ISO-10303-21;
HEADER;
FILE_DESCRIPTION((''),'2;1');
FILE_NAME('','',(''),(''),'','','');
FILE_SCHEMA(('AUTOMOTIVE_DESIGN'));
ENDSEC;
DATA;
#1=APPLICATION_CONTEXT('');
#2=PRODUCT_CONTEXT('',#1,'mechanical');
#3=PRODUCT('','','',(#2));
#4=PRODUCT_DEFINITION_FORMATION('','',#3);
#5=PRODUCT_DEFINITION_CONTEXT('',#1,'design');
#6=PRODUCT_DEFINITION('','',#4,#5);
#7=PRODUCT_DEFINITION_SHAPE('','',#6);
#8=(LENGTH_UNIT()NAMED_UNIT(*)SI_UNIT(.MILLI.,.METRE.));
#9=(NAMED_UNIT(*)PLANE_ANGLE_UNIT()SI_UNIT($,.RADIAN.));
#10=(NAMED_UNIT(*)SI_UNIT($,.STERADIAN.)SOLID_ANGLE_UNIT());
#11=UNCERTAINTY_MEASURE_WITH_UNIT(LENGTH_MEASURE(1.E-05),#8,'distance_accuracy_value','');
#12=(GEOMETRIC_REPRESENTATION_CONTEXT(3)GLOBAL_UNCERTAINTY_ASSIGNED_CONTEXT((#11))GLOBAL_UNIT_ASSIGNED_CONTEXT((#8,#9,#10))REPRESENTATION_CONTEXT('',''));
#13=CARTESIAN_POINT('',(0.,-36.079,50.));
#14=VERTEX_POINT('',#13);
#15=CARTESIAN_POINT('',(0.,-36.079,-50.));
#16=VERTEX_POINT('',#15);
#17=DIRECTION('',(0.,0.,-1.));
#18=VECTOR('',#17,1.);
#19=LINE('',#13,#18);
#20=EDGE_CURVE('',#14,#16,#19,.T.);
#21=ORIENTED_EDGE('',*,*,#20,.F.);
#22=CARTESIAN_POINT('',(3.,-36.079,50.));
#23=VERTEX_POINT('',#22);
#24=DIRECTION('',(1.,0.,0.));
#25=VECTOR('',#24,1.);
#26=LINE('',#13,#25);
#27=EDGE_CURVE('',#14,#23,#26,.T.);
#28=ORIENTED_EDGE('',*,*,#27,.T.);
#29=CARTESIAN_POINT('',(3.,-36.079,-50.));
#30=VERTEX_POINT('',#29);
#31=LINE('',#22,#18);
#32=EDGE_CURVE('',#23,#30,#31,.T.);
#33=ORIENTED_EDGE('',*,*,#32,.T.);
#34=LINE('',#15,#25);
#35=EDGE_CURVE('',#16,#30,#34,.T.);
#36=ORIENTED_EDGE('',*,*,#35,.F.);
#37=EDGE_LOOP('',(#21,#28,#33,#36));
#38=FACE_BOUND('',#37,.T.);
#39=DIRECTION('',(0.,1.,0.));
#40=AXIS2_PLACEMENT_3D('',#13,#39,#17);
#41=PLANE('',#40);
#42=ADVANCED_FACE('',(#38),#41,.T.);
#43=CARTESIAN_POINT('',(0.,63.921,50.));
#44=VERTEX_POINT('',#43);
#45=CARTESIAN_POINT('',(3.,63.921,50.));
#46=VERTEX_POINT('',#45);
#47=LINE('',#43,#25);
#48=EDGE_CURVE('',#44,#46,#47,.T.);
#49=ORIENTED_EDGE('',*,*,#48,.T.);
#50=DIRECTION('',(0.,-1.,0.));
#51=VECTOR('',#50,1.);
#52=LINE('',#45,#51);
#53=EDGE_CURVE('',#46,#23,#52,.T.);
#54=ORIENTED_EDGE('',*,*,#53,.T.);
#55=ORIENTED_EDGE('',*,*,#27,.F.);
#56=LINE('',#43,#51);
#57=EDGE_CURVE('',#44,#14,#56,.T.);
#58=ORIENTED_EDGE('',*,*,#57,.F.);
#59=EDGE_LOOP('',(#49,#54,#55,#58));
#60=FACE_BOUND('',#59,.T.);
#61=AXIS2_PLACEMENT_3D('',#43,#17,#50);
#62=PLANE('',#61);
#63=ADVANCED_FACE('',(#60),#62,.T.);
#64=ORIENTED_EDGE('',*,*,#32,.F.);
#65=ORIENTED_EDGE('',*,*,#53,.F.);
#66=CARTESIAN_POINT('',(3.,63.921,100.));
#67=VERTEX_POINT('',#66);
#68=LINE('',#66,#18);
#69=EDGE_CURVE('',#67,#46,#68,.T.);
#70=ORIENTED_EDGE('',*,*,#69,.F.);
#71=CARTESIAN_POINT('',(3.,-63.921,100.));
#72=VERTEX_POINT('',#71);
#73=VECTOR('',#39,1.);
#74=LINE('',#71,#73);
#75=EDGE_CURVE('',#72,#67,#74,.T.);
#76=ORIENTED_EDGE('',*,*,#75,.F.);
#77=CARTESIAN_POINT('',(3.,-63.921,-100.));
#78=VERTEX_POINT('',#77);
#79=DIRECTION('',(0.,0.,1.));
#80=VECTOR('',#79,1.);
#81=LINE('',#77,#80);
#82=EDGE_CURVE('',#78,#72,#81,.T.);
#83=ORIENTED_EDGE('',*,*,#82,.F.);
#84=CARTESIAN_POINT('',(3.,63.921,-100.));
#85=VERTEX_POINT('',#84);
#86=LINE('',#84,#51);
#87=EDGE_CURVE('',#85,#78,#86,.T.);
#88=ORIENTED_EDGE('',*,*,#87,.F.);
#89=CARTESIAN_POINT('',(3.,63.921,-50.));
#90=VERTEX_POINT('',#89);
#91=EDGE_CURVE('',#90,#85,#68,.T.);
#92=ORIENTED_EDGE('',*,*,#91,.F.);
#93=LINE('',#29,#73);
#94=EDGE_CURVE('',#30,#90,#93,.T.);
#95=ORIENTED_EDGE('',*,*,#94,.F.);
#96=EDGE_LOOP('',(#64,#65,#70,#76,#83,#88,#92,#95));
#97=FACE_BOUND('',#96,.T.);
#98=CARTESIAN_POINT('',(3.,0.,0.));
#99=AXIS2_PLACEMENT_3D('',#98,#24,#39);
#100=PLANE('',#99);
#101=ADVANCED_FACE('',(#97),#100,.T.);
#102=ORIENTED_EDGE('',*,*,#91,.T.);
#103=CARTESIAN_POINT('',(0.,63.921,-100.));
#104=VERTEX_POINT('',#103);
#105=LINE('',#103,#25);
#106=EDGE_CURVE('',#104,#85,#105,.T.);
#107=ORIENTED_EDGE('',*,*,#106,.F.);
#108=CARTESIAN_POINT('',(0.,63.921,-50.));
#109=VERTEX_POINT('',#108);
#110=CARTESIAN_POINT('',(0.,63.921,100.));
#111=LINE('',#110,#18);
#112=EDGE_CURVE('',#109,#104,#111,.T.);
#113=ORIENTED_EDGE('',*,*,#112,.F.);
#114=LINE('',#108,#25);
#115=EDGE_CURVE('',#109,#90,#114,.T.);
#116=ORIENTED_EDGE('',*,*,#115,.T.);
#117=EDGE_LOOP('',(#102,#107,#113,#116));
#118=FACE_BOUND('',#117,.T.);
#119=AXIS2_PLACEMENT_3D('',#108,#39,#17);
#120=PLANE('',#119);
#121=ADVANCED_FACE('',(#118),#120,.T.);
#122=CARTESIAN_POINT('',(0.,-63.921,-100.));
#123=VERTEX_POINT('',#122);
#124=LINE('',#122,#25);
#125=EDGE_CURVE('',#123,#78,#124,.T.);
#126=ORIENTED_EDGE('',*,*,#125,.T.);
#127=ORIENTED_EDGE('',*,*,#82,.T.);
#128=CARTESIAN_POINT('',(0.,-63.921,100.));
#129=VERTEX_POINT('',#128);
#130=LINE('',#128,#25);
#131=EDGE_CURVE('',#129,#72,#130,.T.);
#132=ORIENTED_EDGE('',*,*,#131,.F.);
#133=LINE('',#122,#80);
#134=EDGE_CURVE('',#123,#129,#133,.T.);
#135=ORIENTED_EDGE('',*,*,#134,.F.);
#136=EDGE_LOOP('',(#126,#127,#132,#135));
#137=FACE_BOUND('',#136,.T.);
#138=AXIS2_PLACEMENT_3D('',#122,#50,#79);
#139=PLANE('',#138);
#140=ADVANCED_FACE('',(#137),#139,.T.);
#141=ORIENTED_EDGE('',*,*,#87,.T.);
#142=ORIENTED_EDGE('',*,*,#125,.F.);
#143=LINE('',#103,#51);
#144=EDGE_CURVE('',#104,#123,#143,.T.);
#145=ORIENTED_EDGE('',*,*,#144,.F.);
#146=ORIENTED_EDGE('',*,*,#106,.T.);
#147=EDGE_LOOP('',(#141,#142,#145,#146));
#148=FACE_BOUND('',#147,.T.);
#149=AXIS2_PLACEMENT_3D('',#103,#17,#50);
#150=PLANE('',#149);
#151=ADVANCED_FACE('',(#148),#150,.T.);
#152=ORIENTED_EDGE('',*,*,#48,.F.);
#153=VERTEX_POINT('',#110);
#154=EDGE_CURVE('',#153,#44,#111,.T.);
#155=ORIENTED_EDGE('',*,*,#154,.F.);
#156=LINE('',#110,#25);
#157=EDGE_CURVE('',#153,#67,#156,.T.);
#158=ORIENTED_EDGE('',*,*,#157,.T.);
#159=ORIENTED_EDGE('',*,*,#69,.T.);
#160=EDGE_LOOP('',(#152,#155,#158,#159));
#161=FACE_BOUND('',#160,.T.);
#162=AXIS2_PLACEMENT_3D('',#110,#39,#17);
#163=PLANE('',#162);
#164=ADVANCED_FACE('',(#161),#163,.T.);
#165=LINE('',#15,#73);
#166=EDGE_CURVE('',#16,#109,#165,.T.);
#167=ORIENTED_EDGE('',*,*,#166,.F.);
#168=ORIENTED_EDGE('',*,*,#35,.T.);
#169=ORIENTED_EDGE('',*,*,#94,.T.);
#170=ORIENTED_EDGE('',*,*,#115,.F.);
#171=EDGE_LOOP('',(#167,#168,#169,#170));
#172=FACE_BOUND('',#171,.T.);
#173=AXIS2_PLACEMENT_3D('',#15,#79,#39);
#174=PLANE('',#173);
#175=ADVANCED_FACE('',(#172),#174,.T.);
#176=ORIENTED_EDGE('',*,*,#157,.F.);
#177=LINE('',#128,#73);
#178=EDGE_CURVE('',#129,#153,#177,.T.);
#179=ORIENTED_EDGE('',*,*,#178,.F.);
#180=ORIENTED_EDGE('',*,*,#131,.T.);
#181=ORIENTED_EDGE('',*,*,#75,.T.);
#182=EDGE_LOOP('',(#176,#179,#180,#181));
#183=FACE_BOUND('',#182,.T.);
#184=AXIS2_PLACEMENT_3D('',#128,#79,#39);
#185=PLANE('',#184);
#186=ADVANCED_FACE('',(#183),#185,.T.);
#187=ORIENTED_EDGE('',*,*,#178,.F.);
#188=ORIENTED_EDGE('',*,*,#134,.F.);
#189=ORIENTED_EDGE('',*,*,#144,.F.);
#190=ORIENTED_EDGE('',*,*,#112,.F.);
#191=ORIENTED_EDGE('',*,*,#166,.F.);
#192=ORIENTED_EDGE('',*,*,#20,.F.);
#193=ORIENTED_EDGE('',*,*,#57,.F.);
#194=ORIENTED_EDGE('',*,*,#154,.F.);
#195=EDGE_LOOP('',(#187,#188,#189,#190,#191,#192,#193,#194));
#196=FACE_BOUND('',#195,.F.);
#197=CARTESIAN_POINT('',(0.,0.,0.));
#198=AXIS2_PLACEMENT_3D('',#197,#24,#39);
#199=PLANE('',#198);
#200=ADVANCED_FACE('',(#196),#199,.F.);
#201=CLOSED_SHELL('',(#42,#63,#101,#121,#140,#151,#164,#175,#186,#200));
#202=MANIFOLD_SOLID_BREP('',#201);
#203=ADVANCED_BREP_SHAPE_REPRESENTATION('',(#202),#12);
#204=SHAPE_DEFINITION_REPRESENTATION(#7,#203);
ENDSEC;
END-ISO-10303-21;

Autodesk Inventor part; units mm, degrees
ref_plane "YZ Plane" through (0, 0, 0) normal (1, 0, 0) x (0, 1, 0)
ref_plane "XZ Plane" through (0, 0, 0) normal (0, 1, 0) x (-1, 0, 0)
ref_plane "XY Plane" through (0, 0, 0) normal (0, 0, 1) x (1, 0, 0)
sketch "Sketch1" plane through (0, 0, 0) normal (1, 0, 0) x (0, 1, 0)
  line L0 (-63.921, 100) -> (63.921, 100)
  line L1 (63.921, 100) -> (63.921, -100)
  line L2 (63.921, -100) -> (-63.921, -100)
  line L3 (-63.921, -100) -> (-63.921, 100)
  line L4 (-63.921, 100) -> (63.921, -100) construction
  line L5 (63.921, 100) -> (-63.921, -100) construction
  line L6 (63.921, 50) -> (-36.079, 50)
  line L7 (-36.079, 50) -> (-36.079, -50)
  line L8 (-36.079, -50) -> (63.921, -50)
  line L9 (63.921, -50) -> (63.921, 50)
  point P0 (0, 0)
  point P1 (63.921, -50)
  dimension "d0" = 200
  dimension "d1" = 127.842
  dimension "d2" = 100
  dimension "d3" = 100
  dimension "d4" = 50
extrude "Extrusion1" add sketch "Sketch1" along normal blind 3 contours L0 L1 L6 L7 L8 L2 L3
equation "\"d3\" = d2"
properties part number "WI-CoverRS3"
